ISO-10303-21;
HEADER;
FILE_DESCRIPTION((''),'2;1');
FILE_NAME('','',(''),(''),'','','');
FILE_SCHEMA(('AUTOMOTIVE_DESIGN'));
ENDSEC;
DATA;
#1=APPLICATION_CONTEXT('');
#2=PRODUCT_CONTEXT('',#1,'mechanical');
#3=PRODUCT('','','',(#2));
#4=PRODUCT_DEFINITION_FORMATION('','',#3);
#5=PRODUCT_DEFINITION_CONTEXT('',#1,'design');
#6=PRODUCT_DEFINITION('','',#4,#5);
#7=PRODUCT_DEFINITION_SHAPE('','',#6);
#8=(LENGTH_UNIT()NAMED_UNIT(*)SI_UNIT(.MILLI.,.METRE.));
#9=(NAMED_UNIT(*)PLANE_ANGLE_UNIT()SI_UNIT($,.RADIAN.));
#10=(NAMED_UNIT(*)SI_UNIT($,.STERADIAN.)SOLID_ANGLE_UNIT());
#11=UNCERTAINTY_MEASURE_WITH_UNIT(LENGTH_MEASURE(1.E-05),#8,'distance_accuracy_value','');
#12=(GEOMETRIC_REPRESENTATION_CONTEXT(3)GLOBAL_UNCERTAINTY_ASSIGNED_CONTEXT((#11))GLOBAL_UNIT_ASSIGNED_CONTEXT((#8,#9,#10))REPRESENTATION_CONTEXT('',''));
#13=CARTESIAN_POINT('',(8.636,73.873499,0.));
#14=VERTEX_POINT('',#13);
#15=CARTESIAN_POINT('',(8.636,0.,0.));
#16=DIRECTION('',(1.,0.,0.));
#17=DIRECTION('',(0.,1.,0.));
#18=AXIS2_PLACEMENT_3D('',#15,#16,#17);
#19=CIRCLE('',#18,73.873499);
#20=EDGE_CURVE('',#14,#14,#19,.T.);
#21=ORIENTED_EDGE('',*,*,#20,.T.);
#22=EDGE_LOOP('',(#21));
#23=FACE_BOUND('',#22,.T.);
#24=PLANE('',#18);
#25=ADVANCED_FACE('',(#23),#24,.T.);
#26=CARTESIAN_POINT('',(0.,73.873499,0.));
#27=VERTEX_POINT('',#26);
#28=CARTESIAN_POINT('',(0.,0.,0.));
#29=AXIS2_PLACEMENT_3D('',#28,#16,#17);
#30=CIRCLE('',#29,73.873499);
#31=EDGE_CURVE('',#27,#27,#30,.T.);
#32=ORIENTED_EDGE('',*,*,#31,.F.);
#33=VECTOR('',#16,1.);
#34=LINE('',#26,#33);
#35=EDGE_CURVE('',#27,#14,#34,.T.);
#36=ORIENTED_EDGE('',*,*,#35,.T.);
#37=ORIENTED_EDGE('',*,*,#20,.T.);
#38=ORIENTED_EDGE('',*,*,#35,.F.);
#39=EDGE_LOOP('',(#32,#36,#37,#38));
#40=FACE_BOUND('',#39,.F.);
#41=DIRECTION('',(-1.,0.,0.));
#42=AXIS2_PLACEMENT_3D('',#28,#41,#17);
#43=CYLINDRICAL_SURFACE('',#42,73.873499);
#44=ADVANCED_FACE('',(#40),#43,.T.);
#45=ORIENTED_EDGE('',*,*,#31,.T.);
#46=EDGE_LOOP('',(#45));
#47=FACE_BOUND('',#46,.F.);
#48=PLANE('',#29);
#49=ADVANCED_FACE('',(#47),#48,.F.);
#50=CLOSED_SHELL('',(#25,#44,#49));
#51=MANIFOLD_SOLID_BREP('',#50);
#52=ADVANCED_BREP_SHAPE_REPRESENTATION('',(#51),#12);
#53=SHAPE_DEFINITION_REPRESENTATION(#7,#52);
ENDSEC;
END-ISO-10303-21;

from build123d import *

# Parameters (mm, degrees)
F0_R     = 73.8734991144
F0_R_2   = 18.9267248078
F1_DEPTH = 8.636


with BuildPart() as f1:
    # F0 (on Right) → F1 (new body)
    with BuildSketch(Plane.YZ):
        Circle(F0_R)
        with Locations((-5.1895501092, 9.8208645359)):
            Circle(F0_R_2, mode=Mode.SUBTRACT)
        with Locations((-5.1895501092, 9.8208645359)):
            Circle(F0_R_2)
    extrude(amount=F1_DEPTH)


solid = f1.part
